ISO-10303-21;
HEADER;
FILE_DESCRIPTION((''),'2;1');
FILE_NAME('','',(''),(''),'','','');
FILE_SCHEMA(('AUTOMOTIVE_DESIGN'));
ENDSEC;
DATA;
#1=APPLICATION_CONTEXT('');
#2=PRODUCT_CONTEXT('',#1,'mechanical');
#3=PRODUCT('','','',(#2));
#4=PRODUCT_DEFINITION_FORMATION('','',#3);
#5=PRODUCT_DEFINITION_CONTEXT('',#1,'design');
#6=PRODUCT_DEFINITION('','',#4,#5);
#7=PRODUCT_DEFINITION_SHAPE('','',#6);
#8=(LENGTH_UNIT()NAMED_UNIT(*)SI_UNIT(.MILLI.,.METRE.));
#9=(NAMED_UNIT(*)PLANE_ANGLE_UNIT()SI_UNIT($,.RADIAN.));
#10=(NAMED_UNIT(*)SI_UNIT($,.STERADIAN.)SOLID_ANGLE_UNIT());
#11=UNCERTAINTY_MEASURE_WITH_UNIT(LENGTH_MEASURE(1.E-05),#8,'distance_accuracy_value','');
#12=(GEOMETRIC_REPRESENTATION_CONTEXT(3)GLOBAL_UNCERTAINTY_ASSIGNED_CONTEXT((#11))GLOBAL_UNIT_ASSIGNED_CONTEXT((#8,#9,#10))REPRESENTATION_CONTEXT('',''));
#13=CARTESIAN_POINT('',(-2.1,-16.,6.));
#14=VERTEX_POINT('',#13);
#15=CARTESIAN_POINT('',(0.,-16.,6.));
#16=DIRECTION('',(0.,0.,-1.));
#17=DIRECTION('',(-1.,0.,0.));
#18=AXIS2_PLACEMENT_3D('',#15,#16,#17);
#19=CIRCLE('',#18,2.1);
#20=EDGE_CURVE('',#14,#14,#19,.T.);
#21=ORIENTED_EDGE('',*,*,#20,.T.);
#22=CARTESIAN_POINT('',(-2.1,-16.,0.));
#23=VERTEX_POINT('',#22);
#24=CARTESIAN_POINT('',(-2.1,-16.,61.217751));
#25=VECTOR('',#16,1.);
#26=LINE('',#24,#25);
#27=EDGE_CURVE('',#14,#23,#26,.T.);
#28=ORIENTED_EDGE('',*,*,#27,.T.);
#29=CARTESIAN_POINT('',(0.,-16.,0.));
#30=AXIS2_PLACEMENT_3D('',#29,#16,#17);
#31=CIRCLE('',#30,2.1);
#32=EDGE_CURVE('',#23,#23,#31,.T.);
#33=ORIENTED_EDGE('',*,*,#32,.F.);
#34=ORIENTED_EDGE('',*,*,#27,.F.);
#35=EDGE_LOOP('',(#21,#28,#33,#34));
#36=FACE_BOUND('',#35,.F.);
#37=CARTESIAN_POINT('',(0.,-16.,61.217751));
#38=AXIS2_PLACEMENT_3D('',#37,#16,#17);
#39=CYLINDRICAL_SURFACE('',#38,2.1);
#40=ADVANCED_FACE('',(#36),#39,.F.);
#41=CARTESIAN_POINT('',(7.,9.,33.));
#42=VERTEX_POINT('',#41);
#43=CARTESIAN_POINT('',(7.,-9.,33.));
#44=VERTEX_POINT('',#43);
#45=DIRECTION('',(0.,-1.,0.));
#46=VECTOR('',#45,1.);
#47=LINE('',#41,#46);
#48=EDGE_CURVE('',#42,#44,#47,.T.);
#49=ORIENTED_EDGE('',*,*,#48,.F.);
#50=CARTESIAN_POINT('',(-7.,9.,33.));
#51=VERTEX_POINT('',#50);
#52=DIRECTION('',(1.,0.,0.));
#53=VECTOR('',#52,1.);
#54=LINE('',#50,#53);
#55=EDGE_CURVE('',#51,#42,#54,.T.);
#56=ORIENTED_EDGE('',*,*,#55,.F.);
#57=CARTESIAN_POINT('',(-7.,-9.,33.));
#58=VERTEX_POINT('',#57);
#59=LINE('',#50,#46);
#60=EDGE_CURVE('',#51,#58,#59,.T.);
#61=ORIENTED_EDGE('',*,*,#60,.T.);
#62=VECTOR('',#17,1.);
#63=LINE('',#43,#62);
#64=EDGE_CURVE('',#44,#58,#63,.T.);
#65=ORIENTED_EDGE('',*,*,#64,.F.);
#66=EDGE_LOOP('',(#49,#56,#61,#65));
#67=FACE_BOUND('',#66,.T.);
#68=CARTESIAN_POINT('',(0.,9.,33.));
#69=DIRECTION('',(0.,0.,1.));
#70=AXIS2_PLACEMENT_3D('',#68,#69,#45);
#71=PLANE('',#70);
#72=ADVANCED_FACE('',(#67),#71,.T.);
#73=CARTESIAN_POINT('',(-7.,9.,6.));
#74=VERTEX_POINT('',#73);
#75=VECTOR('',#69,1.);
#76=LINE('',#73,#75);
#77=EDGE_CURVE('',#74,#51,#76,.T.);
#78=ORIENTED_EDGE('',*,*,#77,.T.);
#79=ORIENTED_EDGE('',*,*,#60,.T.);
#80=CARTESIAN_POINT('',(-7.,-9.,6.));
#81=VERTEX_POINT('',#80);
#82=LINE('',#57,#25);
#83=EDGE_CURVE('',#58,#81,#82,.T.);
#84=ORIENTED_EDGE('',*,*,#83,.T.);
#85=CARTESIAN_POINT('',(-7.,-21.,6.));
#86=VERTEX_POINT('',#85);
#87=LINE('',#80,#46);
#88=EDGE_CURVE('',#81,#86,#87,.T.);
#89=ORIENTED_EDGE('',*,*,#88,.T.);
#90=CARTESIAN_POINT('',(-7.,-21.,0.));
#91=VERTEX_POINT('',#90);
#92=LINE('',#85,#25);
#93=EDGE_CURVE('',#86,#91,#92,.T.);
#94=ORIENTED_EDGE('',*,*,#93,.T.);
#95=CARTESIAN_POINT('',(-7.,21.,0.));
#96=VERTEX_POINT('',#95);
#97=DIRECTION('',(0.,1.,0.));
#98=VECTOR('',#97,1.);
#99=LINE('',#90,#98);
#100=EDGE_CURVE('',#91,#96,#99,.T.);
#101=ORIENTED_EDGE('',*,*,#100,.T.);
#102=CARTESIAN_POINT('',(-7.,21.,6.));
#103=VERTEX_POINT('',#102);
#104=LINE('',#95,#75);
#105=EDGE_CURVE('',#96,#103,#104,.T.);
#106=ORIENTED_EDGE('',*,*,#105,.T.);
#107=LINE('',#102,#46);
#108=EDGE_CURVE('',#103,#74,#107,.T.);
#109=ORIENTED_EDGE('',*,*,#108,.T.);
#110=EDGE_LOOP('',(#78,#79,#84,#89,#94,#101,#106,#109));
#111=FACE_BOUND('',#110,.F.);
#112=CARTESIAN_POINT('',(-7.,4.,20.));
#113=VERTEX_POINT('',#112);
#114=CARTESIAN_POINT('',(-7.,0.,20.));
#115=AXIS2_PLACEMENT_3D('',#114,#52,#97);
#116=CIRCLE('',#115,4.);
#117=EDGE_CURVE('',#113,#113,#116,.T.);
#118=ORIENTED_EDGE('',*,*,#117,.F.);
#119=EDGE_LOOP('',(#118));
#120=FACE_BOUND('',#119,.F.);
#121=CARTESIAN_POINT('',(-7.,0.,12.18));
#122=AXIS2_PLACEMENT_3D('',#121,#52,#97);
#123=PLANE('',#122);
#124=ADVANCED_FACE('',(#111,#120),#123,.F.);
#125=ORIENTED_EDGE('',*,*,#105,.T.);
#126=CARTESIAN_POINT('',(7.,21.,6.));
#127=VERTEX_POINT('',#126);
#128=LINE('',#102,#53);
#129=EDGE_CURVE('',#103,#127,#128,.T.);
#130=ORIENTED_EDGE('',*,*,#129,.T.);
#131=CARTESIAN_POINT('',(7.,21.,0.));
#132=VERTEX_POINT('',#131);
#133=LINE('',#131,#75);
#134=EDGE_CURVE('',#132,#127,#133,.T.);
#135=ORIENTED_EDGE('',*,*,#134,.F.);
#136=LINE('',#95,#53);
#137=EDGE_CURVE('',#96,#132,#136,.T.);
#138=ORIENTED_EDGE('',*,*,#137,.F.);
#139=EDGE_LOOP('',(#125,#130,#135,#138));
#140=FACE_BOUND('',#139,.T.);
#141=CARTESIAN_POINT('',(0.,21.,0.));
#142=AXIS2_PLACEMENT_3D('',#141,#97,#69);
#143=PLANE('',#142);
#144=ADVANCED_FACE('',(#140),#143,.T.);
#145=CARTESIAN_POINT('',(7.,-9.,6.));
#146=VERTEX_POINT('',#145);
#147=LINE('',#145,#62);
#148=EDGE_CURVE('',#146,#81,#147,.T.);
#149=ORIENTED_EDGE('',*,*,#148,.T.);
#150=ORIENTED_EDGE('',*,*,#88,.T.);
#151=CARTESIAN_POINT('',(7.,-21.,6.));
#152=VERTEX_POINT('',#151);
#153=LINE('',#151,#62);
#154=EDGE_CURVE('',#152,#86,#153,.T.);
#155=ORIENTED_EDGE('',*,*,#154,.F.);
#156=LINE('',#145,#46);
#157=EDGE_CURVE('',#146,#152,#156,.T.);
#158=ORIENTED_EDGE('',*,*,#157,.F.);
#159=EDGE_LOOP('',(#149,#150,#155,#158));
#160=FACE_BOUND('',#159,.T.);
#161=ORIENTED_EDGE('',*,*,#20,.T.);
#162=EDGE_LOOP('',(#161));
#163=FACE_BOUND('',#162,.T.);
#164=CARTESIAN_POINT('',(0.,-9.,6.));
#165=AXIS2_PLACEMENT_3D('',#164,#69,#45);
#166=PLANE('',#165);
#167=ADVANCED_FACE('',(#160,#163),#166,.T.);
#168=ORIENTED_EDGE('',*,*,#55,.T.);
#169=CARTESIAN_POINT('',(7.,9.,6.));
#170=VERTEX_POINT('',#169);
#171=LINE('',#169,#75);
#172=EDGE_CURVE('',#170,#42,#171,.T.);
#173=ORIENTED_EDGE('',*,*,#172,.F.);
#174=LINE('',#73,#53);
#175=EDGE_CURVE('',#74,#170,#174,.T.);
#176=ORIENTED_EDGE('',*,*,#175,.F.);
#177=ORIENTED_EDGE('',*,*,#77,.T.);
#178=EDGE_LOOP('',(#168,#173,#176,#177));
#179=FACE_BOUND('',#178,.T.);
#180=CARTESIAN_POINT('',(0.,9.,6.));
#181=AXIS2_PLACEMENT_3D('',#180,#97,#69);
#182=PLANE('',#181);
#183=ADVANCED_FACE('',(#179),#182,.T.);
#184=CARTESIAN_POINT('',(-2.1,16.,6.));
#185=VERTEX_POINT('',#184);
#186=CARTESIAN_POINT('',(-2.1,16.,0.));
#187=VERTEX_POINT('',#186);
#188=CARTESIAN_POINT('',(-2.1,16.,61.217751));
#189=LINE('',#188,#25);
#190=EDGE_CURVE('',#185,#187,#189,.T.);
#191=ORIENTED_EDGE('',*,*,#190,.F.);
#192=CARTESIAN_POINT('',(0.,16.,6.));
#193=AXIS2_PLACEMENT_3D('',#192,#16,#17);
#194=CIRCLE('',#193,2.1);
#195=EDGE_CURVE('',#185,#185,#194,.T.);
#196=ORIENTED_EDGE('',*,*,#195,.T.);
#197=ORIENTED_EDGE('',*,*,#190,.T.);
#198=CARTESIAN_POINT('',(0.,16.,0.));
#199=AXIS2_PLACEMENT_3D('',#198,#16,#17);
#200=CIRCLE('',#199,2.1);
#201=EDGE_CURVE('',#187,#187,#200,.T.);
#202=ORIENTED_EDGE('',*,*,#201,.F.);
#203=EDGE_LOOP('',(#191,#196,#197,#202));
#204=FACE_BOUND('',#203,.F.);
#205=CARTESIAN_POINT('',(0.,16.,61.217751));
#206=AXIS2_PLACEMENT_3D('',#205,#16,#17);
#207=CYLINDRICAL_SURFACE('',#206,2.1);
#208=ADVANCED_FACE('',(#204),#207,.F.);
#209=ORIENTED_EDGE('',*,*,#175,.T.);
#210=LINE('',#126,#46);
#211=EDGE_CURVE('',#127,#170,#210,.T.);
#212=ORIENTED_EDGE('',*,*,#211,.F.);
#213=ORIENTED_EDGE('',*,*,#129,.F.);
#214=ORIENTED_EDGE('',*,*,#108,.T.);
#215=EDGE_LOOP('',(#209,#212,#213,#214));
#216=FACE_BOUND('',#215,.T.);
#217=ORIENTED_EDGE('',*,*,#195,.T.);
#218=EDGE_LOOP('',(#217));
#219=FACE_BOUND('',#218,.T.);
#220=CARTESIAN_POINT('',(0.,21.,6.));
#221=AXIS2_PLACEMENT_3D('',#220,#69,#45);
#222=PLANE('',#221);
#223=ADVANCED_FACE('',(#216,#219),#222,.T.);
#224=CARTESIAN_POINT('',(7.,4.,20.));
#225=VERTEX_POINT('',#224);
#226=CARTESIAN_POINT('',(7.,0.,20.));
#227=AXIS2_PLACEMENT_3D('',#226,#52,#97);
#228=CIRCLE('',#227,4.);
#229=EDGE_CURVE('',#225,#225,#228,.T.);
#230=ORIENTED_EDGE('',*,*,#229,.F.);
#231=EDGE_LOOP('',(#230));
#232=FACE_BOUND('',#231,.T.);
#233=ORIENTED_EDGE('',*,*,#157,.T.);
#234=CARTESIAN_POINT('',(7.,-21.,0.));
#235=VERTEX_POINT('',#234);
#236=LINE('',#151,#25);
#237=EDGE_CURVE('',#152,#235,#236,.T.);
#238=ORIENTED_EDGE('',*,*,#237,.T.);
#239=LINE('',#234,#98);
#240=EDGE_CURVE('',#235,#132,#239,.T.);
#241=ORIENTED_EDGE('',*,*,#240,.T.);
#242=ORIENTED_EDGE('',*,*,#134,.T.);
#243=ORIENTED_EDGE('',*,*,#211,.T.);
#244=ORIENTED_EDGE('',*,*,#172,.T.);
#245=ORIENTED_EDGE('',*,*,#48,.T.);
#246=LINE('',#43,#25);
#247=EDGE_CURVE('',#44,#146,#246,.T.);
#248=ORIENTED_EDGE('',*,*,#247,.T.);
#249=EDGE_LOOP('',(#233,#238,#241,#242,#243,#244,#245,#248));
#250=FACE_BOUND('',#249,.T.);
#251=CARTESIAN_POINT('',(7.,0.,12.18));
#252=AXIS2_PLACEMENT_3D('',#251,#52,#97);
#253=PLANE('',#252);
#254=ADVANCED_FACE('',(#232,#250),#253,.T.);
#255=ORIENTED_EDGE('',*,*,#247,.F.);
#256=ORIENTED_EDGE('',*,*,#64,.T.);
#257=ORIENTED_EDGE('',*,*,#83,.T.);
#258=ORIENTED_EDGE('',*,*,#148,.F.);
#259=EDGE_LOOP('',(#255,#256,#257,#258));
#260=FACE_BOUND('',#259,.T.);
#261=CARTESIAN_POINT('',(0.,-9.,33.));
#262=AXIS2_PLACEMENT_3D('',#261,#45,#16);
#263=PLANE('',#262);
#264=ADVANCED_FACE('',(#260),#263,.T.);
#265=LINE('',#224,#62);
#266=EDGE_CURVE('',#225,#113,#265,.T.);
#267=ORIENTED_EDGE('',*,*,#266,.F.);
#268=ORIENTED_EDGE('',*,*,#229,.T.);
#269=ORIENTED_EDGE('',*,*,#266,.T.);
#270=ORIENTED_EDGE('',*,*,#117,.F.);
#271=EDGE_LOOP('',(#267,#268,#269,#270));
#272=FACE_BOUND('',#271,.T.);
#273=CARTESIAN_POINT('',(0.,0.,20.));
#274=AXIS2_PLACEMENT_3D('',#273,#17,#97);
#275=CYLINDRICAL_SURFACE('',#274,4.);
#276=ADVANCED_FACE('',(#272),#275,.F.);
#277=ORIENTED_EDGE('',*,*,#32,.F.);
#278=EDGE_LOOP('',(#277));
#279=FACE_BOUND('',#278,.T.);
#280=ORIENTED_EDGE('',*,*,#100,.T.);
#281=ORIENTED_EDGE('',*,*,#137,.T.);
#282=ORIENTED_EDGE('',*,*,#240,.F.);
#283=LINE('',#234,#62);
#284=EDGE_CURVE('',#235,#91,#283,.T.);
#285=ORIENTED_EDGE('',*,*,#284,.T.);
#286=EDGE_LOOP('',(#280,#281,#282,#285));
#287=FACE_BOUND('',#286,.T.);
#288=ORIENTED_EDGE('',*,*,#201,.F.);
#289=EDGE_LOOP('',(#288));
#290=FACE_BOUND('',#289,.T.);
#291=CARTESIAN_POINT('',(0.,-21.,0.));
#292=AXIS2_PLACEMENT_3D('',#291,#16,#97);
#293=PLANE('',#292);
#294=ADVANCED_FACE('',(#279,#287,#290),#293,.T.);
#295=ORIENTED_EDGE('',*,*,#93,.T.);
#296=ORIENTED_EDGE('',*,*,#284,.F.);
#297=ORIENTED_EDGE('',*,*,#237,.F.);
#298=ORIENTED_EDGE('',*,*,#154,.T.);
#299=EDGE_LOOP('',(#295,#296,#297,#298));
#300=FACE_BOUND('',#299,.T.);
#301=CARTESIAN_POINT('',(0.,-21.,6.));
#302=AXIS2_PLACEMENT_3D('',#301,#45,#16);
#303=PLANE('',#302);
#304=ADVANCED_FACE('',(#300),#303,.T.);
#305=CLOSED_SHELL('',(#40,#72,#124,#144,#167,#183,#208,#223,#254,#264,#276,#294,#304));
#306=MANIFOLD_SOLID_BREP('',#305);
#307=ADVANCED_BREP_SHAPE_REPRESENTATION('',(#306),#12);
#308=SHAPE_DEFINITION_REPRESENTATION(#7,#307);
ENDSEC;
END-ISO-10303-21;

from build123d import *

# Parameters (mm, degrees)
F0_R     = 4
F1_DEPTH = 7
F4_D     = 4.2


with BuildPart() as f1:
    # F0 (on Right) → F1 (new body, symmetric)
    with BuildSketch(Plane.YZ):
        Polygon((-21, 0), (0, 0), (21, 0), (21, 6), (9, 6), (9, 33), (0, 33), (-9, 33), (-9, 6), (-21, 6), align=None)
        with Locations((0, 20)):
            Circle(F0_R, mode=Mode.SUBTRACT)
    extrude(amount=F1_DEPTH, both=True)

    # F4 (through all)
    with Locations(Plane.XY.offset(6)):
        with Locations((0, -16), (0, 16)):
            Hole(F4_D / 2)


solid = f1.part
